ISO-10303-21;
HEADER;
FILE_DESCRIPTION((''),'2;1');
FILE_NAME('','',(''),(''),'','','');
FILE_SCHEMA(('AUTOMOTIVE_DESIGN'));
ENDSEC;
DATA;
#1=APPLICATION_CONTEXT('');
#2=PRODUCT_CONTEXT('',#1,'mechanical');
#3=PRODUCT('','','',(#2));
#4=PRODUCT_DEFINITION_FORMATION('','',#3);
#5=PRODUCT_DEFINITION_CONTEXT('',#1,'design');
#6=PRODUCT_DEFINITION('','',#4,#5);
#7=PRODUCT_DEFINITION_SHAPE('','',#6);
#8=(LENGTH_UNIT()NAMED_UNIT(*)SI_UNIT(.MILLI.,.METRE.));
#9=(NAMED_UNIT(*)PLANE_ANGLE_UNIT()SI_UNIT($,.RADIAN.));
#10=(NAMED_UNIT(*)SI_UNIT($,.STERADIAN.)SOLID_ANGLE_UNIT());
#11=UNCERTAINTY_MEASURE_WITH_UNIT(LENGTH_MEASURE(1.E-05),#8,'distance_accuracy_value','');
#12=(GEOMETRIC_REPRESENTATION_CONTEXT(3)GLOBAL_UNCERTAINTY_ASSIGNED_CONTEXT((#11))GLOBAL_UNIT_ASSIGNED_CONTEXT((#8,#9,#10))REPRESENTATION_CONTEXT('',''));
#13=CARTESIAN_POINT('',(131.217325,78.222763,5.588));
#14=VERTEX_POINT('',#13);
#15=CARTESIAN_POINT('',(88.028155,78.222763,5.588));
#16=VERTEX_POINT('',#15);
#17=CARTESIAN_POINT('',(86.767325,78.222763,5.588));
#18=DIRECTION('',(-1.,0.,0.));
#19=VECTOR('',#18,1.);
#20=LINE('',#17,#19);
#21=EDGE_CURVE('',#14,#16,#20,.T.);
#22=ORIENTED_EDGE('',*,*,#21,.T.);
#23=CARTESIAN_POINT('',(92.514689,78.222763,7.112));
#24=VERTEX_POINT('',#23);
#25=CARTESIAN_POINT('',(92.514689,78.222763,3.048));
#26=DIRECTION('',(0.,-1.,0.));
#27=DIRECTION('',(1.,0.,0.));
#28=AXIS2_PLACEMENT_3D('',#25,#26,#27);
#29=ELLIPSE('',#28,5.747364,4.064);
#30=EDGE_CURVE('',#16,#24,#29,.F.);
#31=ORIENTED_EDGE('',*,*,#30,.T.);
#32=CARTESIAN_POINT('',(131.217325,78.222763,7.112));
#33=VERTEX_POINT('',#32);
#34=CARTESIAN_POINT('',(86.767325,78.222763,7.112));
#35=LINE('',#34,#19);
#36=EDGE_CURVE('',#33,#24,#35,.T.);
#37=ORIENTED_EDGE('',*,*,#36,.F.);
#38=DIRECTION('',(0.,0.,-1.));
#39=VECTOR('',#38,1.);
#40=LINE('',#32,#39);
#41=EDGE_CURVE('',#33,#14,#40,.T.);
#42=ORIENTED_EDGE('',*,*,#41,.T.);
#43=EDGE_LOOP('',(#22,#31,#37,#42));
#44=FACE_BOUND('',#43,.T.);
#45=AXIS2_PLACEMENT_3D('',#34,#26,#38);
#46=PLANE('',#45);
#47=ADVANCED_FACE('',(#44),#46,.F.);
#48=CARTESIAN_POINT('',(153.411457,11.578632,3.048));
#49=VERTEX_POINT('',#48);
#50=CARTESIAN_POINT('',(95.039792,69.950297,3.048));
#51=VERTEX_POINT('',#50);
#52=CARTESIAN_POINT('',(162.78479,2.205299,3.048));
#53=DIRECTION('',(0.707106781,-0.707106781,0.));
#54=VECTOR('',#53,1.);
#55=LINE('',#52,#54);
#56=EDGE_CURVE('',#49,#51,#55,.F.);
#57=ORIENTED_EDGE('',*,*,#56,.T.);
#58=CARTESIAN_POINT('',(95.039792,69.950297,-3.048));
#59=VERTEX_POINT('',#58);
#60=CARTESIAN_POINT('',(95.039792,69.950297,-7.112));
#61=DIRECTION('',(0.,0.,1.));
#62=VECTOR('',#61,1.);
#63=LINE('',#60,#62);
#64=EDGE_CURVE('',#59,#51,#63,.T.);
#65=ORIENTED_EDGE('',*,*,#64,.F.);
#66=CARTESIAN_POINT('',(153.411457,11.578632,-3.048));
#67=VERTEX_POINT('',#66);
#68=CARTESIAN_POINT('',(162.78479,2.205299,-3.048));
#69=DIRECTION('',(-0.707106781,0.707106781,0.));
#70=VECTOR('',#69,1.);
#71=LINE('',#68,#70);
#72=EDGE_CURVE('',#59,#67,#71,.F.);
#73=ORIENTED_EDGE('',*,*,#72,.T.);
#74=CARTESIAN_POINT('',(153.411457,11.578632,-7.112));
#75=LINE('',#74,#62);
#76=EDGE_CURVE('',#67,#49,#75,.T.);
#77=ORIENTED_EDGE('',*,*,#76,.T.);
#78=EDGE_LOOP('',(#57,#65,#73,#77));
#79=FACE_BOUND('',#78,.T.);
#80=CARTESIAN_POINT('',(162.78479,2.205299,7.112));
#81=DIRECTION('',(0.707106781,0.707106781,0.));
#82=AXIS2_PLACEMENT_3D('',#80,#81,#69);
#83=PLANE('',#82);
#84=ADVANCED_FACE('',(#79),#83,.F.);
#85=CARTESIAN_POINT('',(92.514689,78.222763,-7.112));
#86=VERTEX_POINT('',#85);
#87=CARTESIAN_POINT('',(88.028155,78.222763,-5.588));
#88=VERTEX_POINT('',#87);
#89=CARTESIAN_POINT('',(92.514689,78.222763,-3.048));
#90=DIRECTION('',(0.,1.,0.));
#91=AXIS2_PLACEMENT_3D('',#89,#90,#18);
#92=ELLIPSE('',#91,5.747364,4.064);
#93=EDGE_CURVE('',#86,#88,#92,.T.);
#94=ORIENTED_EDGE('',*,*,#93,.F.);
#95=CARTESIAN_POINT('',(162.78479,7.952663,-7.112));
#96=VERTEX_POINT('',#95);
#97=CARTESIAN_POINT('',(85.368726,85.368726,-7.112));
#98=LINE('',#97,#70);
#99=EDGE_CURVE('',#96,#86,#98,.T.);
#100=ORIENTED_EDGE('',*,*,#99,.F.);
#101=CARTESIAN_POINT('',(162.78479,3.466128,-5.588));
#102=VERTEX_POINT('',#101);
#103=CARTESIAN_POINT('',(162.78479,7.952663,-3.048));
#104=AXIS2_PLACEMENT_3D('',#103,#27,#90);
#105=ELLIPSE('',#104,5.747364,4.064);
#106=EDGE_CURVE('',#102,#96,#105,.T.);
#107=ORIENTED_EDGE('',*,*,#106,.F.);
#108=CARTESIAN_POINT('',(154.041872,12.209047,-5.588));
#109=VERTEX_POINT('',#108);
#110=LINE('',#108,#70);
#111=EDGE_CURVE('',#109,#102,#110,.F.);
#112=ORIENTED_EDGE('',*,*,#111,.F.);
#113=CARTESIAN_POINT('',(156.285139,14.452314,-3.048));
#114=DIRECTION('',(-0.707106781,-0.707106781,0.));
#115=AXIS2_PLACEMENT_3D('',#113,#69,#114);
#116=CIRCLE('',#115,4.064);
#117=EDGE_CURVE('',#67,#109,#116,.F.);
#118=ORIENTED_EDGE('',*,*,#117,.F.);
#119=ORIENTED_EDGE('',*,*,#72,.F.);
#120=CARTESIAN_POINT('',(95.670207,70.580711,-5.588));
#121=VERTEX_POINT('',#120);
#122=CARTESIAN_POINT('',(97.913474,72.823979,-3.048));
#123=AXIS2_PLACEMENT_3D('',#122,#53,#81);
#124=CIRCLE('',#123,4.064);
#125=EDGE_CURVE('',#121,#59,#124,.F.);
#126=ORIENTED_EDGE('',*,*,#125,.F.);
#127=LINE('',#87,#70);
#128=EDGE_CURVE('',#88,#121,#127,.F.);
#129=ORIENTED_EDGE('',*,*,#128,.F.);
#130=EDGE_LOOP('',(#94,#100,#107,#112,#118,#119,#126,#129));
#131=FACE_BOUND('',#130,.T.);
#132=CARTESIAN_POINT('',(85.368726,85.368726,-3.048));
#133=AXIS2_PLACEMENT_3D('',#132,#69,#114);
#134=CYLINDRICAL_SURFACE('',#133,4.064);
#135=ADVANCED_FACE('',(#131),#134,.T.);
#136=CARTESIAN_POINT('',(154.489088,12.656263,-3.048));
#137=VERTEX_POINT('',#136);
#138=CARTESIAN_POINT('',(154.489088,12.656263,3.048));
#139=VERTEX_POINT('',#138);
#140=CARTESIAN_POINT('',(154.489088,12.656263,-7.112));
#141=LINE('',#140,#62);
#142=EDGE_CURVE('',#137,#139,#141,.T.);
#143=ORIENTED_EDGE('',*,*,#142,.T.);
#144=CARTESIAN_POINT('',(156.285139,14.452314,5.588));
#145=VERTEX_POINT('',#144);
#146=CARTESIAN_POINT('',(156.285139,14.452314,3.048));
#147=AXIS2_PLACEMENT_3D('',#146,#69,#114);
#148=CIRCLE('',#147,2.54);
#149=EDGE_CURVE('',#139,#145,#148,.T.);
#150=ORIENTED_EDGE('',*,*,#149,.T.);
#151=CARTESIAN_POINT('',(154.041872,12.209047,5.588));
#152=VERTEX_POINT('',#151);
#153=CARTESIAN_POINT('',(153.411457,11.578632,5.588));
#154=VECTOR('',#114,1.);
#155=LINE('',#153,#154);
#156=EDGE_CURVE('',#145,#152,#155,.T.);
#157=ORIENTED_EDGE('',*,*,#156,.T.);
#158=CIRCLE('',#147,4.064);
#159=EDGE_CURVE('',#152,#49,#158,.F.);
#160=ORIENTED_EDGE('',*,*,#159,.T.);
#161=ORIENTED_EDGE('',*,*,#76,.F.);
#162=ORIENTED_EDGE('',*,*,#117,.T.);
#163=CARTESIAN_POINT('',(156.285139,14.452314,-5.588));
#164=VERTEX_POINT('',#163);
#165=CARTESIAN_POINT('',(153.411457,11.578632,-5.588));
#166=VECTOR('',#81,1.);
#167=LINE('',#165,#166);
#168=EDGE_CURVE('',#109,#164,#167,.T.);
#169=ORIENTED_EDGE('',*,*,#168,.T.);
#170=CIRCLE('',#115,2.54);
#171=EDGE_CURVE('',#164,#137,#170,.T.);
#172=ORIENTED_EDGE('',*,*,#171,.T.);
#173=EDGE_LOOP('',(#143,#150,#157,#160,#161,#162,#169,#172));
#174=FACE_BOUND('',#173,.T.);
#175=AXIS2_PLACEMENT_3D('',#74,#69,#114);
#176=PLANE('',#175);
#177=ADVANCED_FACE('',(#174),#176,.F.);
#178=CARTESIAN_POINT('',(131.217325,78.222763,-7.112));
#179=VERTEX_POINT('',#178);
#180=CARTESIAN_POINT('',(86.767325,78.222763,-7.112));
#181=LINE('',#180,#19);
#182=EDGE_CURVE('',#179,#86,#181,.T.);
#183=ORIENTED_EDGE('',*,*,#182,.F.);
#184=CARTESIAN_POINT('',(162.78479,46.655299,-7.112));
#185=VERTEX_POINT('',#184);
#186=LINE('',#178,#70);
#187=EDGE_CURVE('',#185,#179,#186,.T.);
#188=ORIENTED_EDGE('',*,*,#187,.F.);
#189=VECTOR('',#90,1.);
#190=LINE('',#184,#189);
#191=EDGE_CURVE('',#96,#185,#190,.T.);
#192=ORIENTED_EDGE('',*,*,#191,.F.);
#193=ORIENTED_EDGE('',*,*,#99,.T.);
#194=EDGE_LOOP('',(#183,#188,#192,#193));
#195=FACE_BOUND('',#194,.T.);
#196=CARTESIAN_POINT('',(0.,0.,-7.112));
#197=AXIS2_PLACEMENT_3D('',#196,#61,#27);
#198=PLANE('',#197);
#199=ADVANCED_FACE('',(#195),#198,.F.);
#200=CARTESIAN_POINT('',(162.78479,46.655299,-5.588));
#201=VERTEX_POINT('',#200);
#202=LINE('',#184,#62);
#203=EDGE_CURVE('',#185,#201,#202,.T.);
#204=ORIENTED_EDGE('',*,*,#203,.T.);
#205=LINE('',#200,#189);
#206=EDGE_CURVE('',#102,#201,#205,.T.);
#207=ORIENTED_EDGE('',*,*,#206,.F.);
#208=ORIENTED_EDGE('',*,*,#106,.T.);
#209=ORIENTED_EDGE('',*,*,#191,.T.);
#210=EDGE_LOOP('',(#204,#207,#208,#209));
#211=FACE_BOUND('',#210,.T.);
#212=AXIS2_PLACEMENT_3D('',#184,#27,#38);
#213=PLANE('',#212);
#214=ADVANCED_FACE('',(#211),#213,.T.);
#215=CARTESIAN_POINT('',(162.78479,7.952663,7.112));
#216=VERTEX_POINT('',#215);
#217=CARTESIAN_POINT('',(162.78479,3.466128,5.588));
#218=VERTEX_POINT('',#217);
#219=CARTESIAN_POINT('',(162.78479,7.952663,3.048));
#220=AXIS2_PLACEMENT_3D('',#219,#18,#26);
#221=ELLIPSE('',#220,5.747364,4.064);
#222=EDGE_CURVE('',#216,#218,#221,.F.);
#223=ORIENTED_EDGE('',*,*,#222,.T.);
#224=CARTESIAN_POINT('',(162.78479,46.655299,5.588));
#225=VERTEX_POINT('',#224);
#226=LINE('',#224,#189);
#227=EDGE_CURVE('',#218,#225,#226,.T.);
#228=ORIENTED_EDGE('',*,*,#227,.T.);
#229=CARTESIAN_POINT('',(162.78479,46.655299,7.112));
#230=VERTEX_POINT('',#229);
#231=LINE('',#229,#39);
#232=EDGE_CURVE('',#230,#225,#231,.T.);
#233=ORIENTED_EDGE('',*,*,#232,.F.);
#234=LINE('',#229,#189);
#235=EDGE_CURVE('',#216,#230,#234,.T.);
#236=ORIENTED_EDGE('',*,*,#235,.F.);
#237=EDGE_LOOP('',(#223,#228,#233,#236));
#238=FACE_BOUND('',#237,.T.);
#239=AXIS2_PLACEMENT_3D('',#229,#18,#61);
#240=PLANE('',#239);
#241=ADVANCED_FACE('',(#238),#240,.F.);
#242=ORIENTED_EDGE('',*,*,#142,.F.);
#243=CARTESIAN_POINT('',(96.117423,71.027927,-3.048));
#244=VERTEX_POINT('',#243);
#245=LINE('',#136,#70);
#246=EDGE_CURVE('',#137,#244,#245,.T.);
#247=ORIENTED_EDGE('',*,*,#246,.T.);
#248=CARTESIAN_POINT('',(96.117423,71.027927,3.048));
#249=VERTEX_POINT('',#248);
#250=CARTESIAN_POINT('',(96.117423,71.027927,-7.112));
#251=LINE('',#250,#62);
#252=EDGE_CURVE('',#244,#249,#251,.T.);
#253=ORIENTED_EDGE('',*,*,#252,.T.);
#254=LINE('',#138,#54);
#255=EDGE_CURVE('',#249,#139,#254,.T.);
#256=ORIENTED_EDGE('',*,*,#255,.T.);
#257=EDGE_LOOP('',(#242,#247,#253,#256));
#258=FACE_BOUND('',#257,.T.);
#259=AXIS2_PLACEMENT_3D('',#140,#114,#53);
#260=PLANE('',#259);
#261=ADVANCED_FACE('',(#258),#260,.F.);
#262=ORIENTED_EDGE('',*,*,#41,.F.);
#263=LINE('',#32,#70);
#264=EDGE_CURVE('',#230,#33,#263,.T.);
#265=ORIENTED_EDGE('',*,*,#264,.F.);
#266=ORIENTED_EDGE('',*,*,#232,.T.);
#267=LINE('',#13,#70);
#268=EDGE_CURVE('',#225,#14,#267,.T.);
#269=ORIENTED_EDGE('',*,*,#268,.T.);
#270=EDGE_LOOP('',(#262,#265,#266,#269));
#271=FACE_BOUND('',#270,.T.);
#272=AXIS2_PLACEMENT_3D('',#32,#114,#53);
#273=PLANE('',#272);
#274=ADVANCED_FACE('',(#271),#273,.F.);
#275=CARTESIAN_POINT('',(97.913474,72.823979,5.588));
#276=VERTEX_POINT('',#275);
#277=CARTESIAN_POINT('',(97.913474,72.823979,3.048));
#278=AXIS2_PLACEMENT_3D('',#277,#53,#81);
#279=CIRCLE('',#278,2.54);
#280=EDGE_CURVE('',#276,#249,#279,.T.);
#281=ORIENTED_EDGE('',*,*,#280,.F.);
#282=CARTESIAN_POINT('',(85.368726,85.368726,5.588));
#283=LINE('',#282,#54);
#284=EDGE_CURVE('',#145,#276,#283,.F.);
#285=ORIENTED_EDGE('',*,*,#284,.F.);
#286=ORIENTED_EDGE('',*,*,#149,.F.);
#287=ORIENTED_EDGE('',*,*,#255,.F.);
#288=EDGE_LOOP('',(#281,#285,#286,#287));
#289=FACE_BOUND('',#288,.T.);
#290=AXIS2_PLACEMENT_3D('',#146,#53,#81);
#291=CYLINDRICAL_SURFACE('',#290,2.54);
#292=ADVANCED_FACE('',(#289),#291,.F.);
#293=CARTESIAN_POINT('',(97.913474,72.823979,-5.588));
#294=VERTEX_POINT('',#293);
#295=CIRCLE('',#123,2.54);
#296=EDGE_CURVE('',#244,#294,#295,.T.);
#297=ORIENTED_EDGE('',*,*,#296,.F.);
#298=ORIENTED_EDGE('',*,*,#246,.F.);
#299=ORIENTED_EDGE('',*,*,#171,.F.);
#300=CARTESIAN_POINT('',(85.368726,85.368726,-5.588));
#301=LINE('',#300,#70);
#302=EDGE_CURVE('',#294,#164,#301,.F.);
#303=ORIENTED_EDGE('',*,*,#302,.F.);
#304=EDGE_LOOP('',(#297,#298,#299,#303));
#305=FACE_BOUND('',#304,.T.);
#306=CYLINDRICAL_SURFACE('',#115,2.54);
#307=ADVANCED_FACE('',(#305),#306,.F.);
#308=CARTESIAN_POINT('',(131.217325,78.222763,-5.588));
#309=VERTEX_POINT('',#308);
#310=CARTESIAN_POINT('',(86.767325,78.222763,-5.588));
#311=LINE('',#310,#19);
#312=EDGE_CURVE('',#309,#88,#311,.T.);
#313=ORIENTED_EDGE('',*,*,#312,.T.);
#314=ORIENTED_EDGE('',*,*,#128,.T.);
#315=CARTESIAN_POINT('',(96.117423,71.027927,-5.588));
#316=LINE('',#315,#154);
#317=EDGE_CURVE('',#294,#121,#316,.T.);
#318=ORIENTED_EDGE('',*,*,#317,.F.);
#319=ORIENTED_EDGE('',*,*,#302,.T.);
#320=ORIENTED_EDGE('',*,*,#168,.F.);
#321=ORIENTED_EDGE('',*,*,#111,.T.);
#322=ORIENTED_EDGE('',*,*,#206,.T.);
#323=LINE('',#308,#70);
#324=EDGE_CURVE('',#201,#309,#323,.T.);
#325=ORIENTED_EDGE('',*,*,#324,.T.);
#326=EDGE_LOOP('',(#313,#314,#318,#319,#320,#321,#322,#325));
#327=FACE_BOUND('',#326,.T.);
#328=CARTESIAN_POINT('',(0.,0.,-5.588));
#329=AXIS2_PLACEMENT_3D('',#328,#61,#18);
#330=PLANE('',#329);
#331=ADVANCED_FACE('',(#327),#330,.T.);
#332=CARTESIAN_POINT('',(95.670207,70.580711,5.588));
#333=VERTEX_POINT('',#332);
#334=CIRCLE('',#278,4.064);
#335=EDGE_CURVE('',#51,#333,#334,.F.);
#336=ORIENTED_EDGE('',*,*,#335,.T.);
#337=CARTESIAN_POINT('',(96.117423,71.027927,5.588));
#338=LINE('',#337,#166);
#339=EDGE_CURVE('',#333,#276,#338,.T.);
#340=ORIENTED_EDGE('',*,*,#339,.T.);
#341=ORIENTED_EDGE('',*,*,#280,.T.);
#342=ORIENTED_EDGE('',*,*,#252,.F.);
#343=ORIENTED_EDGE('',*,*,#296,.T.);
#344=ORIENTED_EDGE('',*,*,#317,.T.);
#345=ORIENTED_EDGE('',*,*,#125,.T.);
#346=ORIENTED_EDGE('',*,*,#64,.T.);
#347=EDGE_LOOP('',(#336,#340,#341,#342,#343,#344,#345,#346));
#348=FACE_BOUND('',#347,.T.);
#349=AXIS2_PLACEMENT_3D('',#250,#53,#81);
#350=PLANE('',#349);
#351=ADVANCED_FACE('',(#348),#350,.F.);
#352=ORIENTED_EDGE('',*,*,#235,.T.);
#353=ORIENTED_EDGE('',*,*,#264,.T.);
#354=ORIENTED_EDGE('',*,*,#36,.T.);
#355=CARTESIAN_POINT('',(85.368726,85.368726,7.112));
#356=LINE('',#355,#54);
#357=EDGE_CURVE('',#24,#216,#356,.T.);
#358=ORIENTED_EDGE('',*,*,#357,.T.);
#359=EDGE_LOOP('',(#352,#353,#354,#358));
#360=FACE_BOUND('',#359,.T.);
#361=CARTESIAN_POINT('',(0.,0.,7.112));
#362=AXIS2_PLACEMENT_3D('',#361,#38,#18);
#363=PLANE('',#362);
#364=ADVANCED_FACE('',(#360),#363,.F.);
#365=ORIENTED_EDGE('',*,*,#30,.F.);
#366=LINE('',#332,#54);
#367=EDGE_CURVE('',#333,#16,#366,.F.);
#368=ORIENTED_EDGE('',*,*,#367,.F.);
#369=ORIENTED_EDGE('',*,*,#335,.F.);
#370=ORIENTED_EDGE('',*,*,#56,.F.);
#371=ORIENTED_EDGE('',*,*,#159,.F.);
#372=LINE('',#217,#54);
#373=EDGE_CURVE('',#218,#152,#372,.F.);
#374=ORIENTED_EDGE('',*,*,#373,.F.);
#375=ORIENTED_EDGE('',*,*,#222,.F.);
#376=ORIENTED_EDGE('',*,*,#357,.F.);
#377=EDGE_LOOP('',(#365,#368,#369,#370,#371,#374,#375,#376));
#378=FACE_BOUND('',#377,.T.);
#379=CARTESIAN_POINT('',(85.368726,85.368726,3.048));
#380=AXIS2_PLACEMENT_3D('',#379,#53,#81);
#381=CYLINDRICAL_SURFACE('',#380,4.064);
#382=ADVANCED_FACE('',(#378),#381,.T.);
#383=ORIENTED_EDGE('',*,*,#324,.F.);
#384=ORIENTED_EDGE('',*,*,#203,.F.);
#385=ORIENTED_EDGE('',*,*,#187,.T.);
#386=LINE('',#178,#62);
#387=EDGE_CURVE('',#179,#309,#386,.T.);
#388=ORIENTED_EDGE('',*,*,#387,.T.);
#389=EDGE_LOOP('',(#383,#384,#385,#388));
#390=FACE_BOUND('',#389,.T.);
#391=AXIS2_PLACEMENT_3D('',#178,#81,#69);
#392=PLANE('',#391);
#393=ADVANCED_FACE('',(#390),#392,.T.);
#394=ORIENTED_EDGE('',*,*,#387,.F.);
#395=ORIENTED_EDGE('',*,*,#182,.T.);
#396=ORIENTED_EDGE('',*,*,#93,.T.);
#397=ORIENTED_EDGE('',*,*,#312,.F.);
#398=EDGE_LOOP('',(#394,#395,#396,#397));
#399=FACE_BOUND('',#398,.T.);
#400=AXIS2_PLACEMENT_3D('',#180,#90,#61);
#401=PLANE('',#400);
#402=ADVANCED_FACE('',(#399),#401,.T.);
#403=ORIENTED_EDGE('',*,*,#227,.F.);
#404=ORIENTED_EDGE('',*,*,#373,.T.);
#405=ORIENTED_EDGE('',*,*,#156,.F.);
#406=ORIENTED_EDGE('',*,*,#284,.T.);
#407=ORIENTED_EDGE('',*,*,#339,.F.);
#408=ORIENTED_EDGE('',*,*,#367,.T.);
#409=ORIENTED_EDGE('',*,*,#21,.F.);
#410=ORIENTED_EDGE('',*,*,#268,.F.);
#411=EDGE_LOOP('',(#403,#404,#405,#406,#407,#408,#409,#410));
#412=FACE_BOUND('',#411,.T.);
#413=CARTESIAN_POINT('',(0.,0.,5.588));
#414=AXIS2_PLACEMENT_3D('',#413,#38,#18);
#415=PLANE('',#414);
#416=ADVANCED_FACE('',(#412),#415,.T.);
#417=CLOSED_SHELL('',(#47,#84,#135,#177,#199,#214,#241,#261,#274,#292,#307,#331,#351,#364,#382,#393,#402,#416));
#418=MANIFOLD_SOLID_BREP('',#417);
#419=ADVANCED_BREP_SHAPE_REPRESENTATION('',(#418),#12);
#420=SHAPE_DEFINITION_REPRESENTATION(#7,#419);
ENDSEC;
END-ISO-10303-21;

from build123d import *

# Parameters (mm, degrees)
BOSS_EXTRUDE1_START = 6.35
BOSS_EXTRUDE1_DEPTH = 0.762
BOSS_EXTRUDE2_DEPTH = 12.7
FILLET1_R           = 2.54
FILLET2_R           = 4.064


with BuildPart() as part:
    # Sketch4 → Boss-Extrude1 (new, symmetric)
    with BuildSketch(Plane.XY.offset(BOSS_EXTRUDE1_START)):
        Polygon((86.76732538935741, 78.2227633784087), (131.2173253893574, 78.2227633784087), (162.78478969827367, 46.65529906949232), (162.78478969827367, 2.205299069492165), align=None)
    boss_extrude1 = extrude(amount=BOSS_EXTRUDE1_DEPTH, both=True)

    # Sketch5 → Boss-Extrude2 (add)
    with BuildSketch(Plane(origin=(0, 0, 5.588), x_dir=(-1, 0, 0), z_dir=(0, 0, -1))):
        Polygon((-153.41145680361603, 11.578631964150068), (-95.03979201666652, 69.95029675109956), (-96.11742275119471, 71.02792748562776), (-154.48908753814433, 12.656262698678363), align=None)
    extrude(amount=BOSS_EXTRUDE2_DEPTH)

    # Mirror2: Boss-Extrude1 across plane
    add(boss_extrude1.mirror(Plane.XY))

    # Fillet1
    fillet1_edges = [part.edges().sort_by_distance(p)[0] for p in [
        (125.30325514466952, 41.84209509215306, 5.588),
        (125.30325514466952, 41.84209509215306, -5.587999999999999),
    ]]
    fillet(fillet1_edges, radius=FILLET1_R)

    # Fillet2
    fillet2_edges = [part.edges().sort_by_distance(p)[0] for p in [
        (124.77605754381554, 40.21403122395043, 7.112),
        (124.77605754381554, 40.214031223950435, -7.112),
    ]]
    fillet(fillet2_edges, radius=FILLET2_R)


solid = part.part
